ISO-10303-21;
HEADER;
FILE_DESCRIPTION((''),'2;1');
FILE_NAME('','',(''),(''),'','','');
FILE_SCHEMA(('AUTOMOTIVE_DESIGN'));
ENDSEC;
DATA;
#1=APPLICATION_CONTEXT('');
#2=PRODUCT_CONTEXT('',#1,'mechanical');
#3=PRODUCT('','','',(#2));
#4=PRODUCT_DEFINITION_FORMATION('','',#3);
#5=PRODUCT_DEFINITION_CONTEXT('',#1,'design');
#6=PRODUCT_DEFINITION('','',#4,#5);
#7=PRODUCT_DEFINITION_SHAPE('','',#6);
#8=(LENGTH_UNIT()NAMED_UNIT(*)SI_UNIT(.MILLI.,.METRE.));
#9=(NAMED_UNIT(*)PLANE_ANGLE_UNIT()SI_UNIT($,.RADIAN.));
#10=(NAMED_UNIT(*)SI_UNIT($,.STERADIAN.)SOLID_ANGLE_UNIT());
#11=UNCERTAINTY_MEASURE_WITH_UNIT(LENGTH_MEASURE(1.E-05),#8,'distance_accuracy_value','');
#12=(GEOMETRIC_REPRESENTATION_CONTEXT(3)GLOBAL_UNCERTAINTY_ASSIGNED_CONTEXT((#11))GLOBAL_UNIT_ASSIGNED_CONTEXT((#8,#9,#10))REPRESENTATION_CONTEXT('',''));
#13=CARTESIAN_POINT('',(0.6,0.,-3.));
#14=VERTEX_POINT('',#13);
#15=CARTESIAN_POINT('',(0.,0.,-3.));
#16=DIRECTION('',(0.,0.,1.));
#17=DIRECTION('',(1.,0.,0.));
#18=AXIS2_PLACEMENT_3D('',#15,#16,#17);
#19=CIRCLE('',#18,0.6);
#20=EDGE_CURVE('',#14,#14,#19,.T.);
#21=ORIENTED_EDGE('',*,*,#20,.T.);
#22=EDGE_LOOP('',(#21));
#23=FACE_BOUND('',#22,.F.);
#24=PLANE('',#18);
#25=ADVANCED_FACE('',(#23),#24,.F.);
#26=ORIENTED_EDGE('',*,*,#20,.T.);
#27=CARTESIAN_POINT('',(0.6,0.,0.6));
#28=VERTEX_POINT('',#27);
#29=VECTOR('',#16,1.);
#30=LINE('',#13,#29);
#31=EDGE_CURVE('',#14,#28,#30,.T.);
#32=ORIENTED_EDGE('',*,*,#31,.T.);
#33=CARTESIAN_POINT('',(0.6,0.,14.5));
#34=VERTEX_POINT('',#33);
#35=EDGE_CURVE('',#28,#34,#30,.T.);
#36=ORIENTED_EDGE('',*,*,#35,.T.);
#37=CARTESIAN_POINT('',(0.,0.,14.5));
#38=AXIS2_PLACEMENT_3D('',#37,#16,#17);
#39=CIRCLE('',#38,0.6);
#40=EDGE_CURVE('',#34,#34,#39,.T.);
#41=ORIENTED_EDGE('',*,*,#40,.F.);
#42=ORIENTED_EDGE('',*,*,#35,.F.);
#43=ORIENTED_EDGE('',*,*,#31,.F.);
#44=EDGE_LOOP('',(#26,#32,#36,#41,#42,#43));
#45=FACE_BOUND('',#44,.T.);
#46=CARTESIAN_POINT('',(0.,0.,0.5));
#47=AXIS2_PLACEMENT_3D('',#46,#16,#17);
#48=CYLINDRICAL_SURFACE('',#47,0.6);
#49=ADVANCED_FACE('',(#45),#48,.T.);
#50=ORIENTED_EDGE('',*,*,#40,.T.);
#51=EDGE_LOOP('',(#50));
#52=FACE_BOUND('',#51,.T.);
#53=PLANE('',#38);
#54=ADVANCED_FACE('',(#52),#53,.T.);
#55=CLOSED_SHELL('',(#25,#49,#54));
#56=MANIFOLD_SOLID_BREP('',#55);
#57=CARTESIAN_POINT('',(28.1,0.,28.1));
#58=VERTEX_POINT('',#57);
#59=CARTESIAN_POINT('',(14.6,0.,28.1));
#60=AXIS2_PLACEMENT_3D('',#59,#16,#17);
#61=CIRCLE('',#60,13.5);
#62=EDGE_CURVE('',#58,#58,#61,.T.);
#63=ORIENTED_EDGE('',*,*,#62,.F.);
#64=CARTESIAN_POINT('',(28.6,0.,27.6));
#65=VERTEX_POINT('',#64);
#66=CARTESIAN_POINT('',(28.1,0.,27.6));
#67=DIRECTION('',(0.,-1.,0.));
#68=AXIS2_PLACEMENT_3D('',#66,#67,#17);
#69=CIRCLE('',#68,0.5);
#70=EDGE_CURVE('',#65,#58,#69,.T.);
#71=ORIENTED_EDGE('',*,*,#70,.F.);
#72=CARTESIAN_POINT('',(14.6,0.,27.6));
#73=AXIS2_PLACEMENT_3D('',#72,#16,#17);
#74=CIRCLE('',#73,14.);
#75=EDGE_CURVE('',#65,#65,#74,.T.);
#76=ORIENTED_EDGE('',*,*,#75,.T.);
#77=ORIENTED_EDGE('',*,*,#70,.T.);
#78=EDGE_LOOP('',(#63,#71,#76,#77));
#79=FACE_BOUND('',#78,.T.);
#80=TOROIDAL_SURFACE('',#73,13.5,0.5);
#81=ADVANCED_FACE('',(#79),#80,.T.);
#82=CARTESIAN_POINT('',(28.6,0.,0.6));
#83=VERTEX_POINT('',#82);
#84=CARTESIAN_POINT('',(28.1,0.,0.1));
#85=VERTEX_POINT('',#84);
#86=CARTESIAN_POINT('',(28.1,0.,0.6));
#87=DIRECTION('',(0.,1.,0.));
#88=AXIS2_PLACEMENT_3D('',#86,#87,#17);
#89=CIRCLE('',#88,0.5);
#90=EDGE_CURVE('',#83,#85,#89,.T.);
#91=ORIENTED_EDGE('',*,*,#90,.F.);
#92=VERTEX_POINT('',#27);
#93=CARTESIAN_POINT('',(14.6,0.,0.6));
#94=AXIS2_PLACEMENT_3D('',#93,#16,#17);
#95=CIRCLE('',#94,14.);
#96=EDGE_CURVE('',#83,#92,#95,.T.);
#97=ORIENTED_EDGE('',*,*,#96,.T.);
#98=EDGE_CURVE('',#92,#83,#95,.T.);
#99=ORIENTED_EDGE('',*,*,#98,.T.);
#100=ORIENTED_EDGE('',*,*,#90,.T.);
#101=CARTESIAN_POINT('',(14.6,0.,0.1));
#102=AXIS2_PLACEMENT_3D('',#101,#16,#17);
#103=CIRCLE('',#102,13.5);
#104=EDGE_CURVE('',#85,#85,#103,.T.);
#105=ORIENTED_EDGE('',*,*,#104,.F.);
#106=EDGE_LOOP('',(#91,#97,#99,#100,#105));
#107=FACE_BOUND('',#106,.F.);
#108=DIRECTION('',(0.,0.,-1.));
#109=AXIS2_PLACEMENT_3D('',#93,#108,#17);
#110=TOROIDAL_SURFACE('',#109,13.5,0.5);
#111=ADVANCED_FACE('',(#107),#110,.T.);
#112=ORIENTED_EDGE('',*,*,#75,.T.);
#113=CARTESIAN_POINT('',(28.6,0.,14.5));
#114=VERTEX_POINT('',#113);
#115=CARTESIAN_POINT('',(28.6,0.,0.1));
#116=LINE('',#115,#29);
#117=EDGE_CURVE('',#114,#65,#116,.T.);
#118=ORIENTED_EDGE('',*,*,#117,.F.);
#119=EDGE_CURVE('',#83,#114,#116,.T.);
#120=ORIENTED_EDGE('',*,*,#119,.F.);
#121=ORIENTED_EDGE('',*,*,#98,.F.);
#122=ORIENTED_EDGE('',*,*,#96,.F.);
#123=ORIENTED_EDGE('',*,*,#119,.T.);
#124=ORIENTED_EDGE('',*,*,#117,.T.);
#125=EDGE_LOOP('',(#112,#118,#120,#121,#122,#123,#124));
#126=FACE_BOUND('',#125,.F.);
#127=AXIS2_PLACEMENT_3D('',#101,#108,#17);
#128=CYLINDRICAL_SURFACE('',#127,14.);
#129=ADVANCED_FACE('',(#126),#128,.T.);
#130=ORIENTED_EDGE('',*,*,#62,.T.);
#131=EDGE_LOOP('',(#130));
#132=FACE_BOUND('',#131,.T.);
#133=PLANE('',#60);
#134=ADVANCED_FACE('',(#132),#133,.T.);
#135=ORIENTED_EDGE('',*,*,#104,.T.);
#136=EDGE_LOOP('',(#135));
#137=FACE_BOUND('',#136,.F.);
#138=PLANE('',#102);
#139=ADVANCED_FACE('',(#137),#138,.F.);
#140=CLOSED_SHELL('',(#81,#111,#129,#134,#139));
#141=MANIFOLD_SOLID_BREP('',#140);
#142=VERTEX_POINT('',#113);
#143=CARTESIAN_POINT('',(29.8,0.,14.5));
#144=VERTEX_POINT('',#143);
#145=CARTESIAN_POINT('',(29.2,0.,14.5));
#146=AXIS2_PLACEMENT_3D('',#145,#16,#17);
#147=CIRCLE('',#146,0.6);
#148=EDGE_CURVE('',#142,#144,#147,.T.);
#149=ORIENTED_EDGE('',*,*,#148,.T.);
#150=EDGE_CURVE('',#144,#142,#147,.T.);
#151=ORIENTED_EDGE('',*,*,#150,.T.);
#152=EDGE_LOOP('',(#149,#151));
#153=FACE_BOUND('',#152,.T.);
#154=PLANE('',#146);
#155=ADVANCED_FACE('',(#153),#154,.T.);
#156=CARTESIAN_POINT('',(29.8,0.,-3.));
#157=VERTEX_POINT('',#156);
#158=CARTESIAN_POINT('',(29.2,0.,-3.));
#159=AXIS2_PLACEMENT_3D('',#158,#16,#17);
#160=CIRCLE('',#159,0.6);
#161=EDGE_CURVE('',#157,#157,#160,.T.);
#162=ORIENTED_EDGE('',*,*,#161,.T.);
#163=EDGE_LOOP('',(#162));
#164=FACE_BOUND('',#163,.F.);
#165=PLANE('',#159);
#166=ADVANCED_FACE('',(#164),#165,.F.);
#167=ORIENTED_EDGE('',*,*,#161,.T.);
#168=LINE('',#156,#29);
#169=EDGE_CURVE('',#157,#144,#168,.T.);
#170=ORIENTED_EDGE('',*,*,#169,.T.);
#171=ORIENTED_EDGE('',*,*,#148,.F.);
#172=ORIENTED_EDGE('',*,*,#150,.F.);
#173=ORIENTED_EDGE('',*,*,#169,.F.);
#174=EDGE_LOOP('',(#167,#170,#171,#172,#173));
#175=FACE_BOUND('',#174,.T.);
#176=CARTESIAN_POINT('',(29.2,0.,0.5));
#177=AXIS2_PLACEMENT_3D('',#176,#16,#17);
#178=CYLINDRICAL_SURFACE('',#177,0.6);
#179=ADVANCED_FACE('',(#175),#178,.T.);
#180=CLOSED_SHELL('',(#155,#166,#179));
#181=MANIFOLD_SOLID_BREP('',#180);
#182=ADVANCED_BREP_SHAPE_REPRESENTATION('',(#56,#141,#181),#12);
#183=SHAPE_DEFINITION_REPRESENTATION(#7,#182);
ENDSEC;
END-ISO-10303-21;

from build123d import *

# Parameters (mm, degrees)
SKETCH001_R       = 0.6
PAD001_DEPTH      = 14
PAD001_DEPTH_BACK = 3.5
SKETCH_R          = 14
PAD_DEPTH         = 28
FILLET_R          = 0.5


with BuildPart() as pad001:
    # Sketch001 → Pad001 (new body, two sides)
    with BuildSketch(Plane.XY.offset(0.5)) as pad001_sk:
        Circle(SKETCH001_R)
        with Locations((29.2, 0)):
            Circle(SKETCH001_R)
    extrude(amount=PAD001_DEPTH)
    extrude(pad001_sk.sketch, amount=-PAD001_DEPTH_BACK)


with BuildPart() as l_radial_d28_0mm_p29_20mm:
    # Sketch → Pad (new body)
    with BuildSketch(Plane.XY.offset(0.1)):
        with Locations((14.6, 0)):
            Circle(SKETCH_R)
    extrude(amount=PAD_DEPTH)

    # Fillet
    fillet_edges = [l_radial_d28_0mm_p29_20mm.edges().sort_by_distance(p)[0] for p in [
        (0.6, 0, 0.1),
        (0.6, 0, 28.1),
    ]]
    fillet(fillet_edges, radius=FILLET_R)

    # Fillet_mp_cp: union Pad001
    add(pad001.part)


solid = l_radial_d28_0mm_p29_20mm.part
